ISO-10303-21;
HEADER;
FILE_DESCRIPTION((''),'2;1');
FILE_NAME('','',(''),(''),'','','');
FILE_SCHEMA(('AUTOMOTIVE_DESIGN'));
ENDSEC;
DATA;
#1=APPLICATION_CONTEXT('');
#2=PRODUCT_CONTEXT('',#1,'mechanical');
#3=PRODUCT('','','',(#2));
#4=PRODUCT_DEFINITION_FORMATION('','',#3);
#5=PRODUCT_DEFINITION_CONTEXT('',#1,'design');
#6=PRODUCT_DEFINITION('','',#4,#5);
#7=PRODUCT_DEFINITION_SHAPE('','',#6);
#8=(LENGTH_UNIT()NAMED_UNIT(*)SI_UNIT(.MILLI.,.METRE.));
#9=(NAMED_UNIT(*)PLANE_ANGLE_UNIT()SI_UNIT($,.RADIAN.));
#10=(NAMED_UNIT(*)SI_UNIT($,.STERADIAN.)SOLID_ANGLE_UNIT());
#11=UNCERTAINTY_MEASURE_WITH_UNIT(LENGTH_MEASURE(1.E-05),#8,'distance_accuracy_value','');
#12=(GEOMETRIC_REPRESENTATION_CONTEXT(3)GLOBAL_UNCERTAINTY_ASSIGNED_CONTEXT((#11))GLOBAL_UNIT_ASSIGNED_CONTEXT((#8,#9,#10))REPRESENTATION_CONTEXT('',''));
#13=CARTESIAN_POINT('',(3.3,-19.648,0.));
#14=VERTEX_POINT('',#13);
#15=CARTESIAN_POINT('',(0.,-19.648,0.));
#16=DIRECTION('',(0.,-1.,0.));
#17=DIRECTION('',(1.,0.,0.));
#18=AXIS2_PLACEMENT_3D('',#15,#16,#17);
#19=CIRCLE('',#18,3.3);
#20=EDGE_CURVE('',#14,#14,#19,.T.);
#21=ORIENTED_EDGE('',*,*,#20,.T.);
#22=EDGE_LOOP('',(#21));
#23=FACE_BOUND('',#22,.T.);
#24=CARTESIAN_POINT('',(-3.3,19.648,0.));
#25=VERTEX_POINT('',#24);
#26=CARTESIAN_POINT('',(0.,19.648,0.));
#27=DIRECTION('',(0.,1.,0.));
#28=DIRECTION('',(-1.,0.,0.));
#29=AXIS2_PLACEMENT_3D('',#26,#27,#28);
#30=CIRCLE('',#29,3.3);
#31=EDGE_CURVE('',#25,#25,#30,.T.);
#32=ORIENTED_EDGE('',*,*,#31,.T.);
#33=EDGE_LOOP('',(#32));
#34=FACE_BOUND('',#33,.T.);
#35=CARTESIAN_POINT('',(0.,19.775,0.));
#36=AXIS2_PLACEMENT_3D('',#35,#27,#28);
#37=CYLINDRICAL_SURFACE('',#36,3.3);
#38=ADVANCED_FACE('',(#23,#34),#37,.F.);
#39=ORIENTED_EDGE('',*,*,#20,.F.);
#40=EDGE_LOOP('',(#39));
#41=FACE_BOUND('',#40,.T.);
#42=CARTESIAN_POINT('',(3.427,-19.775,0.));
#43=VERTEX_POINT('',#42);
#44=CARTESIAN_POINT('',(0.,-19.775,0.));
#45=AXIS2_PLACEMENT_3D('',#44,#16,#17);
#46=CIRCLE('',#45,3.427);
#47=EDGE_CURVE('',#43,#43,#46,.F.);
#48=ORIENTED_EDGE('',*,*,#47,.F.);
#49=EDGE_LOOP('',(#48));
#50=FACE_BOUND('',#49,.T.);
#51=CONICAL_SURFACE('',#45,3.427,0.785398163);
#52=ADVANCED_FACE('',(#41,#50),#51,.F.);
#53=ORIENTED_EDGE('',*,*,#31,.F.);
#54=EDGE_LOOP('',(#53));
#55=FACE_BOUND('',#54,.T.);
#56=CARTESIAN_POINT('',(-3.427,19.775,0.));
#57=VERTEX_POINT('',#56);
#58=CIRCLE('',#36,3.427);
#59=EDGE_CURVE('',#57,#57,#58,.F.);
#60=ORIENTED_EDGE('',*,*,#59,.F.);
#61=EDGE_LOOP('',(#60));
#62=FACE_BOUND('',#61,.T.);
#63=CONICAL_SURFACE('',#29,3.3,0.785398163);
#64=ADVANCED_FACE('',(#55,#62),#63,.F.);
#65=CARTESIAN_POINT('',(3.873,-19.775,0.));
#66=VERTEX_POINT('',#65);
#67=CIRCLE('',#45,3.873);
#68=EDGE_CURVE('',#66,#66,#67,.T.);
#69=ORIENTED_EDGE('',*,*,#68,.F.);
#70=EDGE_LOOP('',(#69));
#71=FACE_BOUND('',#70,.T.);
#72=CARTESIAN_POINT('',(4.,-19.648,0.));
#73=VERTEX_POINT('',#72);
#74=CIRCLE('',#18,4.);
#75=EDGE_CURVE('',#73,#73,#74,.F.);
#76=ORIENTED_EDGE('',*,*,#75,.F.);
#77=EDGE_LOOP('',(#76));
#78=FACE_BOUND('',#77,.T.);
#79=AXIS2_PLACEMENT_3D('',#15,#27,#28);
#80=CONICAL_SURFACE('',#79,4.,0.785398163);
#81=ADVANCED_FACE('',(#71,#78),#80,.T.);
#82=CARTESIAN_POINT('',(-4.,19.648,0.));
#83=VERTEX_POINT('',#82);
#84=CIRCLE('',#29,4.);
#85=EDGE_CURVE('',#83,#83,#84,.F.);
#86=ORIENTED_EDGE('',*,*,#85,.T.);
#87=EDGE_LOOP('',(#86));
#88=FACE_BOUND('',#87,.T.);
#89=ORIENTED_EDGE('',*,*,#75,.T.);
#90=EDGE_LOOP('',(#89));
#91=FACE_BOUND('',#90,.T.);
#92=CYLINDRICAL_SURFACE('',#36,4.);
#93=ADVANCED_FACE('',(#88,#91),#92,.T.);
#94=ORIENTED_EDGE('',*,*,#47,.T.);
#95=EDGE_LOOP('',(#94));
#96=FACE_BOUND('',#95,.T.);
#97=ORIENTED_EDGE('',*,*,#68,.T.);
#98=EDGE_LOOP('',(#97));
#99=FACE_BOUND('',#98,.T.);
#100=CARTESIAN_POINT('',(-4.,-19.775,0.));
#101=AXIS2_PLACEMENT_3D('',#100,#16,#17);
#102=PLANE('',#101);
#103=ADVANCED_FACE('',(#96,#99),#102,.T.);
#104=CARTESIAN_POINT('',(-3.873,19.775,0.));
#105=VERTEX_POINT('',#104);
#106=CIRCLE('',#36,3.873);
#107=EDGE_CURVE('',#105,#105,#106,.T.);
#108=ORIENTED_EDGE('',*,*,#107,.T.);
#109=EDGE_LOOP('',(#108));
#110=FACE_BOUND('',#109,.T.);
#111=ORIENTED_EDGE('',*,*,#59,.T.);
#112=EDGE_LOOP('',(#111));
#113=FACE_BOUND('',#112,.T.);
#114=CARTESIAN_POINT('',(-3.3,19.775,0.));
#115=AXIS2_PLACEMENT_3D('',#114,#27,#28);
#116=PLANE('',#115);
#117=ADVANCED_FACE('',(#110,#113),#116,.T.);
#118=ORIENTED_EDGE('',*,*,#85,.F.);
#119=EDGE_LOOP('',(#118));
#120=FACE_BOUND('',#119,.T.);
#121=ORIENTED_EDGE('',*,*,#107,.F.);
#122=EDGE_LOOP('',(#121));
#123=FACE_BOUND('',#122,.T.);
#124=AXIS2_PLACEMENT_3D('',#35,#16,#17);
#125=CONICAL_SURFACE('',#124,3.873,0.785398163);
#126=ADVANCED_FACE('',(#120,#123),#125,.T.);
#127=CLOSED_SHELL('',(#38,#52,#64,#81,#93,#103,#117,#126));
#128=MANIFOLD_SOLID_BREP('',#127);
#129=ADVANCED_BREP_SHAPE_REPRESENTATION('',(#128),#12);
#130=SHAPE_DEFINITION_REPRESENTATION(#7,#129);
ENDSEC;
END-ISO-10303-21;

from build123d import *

# Parameters (mm, degrees)
SKETCH1_W     = 0.7
SKETCH1_H     = 39.55
CHAMFER1_SIZE = 0.127


with BuildPart() as part:
    # Sketch1 → Revolve1 (revolve)
    with BuildSketch(Plane.XY):
        with Locations((-3.65, 0)):
            Rectangle(SKETCH1_W, SKETCH1_H)
    revolve(axis=Axis((0, 19.775, 0), (0, -1, 0)))

    # Chamfer1
    chamfer1_edges = [part.edges().sort_by_distance(p)[0] for p in [
        (3.3, -19.775, 0),
        (4, -19.775, 0),
        (4, 19.775, 0),
        (3.3, 19.775, 0),
    ]]
    chamfer(chamfer1_edges, length=CHAMFER1_SIZE)


solid = part.part
